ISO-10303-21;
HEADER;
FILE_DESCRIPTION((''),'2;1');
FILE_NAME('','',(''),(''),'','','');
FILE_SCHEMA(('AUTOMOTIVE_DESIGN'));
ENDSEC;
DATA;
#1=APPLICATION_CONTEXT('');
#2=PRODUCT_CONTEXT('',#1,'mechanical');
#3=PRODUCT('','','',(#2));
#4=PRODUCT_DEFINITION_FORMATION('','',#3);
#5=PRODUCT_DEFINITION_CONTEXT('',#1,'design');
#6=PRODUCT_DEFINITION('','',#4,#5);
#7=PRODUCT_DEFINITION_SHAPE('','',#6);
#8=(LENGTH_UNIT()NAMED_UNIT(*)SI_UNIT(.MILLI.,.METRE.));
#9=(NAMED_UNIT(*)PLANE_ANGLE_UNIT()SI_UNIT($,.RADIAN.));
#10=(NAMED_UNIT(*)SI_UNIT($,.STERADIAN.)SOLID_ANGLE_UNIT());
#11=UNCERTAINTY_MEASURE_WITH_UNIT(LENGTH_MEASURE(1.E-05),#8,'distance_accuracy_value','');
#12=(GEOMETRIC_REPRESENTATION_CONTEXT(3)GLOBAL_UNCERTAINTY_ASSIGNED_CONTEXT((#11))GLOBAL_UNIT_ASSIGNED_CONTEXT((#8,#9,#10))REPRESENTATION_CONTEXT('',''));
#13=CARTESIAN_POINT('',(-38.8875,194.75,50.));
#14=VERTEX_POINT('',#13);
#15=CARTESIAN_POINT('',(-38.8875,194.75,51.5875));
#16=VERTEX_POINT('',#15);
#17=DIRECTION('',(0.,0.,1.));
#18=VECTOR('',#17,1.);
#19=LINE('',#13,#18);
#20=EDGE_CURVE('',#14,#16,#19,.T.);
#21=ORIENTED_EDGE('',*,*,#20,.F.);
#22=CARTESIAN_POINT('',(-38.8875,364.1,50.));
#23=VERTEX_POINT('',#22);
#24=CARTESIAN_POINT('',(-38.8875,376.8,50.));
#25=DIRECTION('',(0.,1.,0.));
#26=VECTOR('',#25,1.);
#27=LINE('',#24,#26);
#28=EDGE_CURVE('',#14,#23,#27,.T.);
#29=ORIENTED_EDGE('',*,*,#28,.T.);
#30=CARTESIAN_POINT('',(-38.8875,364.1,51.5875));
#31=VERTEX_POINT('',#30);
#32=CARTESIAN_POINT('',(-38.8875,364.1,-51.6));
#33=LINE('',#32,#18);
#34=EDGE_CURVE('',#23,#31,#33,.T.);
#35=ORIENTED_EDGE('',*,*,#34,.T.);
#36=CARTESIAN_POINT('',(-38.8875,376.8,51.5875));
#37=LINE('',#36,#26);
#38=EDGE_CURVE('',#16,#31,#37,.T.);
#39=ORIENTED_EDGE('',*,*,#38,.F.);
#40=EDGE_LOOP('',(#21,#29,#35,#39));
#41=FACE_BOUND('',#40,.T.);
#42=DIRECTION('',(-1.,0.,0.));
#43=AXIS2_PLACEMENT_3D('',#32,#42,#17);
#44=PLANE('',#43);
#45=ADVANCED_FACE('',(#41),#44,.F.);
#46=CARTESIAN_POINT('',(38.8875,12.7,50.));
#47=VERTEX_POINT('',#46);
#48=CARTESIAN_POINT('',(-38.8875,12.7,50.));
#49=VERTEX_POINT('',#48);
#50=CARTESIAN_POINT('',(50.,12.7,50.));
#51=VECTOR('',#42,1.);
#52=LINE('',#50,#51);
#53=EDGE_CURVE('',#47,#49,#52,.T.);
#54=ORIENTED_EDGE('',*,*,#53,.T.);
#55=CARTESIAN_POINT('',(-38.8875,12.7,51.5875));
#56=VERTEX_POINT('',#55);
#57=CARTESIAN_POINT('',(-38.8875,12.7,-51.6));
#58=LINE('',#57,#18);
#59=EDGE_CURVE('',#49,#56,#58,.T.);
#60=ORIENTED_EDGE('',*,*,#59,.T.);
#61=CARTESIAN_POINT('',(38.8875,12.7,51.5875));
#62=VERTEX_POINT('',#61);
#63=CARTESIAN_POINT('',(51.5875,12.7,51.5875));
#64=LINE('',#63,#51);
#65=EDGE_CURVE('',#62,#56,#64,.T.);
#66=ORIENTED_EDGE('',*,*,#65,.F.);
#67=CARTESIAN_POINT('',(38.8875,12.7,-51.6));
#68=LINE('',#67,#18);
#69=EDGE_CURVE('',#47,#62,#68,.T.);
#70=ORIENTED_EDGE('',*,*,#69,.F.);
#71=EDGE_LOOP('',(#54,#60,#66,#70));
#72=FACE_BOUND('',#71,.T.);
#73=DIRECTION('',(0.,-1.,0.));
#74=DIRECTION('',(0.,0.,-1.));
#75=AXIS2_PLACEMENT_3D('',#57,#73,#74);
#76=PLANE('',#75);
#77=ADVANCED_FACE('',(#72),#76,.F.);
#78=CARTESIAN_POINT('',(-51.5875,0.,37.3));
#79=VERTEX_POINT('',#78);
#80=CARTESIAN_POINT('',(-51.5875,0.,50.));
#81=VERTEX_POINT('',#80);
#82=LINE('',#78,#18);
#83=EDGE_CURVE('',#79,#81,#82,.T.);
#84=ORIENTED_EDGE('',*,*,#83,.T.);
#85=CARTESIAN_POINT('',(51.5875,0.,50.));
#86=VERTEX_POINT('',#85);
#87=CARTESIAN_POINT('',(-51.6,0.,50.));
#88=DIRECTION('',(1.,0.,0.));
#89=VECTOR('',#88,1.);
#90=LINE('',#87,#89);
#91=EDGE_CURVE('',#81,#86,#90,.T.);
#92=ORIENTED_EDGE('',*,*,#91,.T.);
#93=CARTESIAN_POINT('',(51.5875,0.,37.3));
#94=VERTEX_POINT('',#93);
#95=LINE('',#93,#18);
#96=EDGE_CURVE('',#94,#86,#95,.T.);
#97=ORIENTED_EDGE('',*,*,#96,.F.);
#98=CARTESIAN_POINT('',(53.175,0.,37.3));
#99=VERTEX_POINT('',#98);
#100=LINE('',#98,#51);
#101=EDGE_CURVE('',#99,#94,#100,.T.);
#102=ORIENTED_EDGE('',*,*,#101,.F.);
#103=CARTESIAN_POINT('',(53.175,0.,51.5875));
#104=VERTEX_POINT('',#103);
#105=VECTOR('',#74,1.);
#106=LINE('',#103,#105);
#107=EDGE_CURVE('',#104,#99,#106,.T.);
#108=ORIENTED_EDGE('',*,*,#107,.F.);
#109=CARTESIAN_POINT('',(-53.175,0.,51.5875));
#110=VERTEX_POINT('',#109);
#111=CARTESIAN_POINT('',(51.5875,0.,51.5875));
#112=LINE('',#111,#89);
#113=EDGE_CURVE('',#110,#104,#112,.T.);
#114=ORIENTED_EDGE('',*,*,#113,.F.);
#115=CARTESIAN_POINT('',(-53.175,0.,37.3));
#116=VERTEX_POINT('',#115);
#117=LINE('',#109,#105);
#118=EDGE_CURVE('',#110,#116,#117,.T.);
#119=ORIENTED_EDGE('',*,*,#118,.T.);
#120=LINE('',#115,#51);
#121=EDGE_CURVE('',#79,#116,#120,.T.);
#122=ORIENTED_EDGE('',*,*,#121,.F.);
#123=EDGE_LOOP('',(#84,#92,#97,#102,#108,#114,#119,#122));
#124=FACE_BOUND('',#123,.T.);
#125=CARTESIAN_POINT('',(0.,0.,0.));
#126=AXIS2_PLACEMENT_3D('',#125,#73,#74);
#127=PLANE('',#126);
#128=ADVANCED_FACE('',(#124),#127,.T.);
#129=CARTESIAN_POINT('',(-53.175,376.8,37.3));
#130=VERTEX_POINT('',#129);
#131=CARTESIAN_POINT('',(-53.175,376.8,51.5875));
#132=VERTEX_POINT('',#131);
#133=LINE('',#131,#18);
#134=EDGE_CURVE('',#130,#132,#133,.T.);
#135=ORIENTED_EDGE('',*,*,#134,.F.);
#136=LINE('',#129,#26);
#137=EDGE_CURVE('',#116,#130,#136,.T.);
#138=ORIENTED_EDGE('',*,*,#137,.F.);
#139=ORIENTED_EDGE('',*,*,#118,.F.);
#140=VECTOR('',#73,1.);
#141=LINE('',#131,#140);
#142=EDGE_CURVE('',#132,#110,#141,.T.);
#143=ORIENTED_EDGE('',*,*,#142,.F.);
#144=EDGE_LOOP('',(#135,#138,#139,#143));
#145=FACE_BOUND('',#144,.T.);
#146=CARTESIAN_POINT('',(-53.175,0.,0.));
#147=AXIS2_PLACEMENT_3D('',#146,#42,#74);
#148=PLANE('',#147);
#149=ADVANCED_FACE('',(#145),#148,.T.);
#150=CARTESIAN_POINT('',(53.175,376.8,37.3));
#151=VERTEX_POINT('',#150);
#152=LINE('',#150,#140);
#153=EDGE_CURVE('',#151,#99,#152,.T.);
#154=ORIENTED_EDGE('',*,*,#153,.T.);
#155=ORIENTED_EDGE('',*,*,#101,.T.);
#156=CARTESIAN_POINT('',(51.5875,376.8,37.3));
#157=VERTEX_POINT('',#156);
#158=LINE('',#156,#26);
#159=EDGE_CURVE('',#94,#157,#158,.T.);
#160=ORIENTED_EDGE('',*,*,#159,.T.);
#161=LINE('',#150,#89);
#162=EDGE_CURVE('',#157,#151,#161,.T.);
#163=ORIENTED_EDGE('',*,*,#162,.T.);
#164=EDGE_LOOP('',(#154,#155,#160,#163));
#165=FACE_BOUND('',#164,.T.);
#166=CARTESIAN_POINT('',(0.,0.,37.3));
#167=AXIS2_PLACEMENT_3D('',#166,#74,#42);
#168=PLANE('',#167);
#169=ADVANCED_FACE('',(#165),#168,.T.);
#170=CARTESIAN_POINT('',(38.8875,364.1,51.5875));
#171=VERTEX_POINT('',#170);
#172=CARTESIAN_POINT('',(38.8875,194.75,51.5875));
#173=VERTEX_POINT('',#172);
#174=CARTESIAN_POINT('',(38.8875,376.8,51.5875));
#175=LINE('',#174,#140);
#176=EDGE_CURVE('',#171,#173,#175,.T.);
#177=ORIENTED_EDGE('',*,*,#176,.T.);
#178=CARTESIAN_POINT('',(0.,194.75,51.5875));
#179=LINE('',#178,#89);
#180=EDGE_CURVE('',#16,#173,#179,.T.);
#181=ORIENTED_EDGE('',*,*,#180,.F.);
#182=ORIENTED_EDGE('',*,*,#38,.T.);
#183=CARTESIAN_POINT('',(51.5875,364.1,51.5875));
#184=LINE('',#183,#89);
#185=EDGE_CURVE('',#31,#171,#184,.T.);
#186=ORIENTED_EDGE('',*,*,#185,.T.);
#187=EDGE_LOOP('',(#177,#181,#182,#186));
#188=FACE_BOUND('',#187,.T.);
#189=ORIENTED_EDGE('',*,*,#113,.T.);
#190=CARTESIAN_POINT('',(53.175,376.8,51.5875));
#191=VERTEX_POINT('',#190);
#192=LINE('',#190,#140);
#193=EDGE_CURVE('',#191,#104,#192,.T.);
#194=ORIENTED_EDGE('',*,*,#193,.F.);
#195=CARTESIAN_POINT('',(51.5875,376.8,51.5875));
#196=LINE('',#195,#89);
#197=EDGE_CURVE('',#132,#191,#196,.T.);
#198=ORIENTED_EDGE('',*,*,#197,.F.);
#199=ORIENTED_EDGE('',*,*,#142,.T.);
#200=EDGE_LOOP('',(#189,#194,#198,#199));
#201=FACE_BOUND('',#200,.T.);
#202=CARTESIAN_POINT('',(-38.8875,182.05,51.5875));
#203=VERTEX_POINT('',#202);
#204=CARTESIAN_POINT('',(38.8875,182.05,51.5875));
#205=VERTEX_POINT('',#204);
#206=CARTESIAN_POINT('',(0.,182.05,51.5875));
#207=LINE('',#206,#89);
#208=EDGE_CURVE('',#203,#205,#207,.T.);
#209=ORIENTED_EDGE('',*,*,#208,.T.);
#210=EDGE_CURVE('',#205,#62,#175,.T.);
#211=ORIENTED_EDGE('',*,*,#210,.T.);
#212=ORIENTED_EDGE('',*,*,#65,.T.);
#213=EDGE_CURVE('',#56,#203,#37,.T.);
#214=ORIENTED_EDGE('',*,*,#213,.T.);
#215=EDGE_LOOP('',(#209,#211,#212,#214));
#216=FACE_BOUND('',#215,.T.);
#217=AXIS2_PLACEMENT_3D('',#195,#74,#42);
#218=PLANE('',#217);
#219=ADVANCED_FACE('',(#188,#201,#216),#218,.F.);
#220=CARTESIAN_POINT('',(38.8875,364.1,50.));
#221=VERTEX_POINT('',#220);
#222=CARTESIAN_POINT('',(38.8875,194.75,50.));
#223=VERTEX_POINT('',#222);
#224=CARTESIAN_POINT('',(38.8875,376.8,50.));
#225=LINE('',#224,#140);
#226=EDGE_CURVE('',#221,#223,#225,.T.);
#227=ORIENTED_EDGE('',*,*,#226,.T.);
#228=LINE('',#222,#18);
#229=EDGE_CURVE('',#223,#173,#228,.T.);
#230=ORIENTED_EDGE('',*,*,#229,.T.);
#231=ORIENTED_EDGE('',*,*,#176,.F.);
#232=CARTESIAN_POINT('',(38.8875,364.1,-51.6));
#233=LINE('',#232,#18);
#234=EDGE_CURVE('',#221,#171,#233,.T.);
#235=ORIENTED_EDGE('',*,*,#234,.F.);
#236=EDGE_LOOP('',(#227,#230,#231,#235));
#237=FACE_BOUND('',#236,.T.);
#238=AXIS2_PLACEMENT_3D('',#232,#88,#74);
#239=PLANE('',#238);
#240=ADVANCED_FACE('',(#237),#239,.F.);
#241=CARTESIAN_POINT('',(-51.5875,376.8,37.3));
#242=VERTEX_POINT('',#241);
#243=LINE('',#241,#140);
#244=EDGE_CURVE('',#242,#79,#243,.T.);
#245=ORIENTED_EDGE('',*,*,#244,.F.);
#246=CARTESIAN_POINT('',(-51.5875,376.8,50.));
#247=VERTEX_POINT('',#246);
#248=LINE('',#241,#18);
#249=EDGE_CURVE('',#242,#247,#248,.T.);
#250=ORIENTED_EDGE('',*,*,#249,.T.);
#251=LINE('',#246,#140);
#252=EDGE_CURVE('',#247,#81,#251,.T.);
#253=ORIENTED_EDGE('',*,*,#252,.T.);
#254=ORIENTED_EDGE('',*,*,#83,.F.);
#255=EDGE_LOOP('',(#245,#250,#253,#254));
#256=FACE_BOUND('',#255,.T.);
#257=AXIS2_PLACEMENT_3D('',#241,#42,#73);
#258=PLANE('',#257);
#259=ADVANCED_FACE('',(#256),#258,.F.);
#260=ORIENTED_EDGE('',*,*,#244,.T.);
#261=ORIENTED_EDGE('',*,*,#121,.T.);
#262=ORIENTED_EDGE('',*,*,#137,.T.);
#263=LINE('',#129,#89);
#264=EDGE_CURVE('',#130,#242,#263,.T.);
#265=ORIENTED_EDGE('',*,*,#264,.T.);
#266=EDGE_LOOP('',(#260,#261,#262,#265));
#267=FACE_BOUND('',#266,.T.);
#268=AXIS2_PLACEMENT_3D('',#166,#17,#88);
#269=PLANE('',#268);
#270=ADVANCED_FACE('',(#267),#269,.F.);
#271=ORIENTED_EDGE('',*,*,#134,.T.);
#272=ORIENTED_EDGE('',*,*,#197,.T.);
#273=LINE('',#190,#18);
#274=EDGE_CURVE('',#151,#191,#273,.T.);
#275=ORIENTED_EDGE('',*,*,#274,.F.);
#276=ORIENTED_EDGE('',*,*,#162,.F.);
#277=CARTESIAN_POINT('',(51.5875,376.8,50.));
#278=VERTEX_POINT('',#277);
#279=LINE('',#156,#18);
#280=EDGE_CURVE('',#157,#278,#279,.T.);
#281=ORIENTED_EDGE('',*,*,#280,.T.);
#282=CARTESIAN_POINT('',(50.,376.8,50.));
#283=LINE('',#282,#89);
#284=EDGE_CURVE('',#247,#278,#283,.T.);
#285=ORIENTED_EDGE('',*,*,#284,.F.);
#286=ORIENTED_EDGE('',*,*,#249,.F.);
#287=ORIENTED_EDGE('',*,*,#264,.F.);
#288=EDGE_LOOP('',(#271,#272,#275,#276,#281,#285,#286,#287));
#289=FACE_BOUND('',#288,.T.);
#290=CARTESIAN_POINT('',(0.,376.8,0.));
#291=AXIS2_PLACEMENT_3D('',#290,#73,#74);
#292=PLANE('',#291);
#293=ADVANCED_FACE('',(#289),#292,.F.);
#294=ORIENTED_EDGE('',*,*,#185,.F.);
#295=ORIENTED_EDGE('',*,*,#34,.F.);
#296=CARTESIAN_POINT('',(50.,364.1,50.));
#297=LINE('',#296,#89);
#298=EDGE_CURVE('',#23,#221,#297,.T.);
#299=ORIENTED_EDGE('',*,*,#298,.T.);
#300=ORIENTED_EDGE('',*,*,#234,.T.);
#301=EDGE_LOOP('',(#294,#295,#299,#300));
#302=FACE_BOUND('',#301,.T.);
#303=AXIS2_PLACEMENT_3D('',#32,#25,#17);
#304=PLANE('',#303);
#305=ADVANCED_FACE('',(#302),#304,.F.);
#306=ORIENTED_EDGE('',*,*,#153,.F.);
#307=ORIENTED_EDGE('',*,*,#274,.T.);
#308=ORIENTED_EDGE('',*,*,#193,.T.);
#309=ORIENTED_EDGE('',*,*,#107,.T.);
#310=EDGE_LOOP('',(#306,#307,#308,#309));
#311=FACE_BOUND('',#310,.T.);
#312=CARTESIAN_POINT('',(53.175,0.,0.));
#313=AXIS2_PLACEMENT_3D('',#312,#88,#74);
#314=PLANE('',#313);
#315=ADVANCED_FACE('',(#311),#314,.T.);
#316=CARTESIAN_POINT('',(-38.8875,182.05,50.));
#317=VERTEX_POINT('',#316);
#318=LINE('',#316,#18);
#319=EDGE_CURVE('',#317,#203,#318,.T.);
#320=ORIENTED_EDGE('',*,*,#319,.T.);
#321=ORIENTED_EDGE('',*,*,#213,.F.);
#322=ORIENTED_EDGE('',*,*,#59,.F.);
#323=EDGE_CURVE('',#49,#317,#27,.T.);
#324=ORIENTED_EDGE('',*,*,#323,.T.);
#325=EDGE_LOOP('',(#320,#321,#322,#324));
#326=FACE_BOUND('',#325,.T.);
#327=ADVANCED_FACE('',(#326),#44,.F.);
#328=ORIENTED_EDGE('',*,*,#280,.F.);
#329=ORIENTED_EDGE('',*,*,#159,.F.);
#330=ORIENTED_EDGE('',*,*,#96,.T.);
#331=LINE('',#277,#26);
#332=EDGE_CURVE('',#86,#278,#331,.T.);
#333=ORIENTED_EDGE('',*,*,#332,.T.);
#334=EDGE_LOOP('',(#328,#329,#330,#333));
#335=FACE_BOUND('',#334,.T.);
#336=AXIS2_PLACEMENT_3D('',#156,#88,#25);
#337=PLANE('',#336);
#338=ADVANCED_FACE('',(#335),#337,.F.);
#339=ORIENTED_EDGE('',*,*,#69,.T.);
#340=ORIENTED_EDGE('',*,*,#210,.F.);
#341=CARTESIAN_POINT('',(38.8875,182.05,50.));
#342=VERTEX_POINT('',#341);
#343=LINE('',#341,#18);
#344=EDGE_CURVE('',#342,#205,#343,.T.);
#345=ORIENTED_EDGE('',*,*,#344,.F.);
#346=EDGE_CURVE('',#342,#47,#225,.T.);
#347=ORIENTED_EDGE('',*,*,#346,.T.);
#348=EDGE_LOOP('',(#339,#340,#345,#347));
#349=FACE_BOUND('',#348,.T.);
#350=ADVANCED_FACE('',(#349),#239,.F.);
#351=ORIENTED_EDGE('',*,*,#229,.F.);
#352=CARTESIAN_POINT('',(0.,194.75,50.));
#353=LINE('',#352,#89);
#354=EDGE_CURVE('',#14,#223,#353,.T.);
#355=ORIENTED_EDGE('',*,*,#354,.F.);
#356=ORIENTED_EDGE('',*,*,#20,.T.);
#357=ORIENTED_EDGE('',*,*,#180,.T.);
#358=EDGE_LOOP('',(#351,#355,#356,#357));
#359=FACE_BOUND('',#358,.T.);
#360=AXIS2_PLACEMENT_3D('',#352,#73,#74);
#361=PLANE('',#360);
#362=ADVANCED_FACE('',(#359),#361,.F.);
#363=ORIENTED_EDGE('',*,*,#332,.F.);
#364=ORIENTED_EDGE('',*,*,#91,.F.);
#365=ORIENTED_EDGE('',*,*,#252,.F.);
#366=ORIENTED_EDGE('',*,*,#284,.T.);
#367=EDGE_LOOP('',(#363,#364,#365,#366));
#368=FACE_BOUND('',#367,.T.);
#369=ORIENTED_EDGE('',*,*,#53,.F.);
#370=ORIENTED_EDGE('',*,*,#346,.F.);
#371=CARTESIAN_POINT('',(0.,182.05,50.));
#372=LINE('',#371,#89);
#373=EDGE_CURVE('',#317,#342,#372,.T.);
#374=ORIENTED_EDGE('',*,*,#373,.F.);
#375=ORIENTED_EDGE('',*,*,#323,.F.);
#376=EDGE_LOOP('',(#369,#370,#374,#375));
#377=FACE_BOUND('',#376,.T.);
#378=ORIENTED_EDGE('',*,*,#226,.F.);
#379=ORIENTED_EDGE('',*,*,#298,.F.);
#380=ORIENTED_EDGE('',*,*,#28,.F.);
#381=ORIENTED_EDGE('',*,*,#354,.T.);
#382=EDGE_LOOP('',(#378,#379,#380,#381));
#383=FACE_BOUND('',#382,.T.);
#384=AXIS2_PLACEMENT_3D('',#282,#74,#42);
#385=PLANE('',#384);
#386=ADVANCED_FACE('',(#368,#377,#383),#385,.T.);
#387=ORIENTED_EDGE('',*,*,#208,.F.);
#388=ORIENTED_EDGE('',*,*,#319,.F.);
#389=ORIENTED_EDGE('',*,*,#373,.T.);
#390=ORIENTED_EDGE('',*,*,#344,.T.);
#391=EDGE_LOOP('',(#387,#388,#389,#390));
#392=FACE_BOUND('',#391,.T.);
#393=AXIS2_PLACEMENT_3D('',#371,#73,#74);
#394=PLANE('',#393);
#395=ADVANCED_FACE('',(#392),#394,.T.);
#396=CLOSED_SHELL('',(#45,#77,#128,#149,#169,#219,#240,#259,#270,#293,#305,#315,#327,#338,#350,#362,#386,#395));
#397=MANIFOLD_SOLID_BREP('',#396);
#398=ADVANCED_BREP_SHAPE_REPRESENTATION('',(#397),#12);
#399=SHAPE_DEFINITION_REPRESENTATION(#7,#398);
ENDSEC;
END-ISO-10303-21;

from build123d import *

# Parameters (mm, degrees)
SKETCH1_W                      = 103.175
SKETCH1_H                      = 103.175
SKETCH1_W_2                    = 100
SKETCH1_H_2                    = 100
BULKSHELLEXTRUDE_DEPTH         = 376.8
SKETCH14_W                     = 77.775
SKETCH14_H                     = 351.4
SIDEWALLCUT_DEPTH              = 103.1875
SIDEWALLCUTPATTERN_COUNT       = 4
SKETCH20_W                     = 77.775
SKETCH20_H                     = 12.7
CENTERSUPPORT_DEPTH            = 1.5875
CENTERSUPPORTPATTERNCIRC_COUNT = 4
SKETCH22_W                     = 100
SKETCH22_H                     = 376.8
CUT_EXTRUDE4_DEPTH             = 103.1875
SKETCH23_W                     = 1.5875
SKETCH23_H                     = 376.8
BOSS_EXTRUDE1_DEPTH            = 1.5875
SKETCH24_W                     = 1.5875
SKETCH24_H                     = 376.8
BOSS_EXTRUDE2_DEPTH            = 12.7


with BuildPart() as part:
    # Sketch1 → BulkShellExtrude (new body)
    with BuildSketch(Plane(origin=(0, 0, 0), x_dir=(1, 0, 0), z_dir=(0, 1, 0))):
        Rectangle(SKETCH1_W, SKETCH1_H)
        Rectangle(SKETCH1_W_2, SKETCH1_H_2, mode=Mode.SUBTRACT)
    extrude(amount=BULKSHELLEXTRUDE_DEPTH)

    # Sketch14 → SideWallCut (cut)
    with BuildSketch(Plane(origin=(51.5875, 0, 0), x_dir=(0, 0, -1), z_dir=(1, 0, 0))):
        with Locations((0, 188.4)):
            Rectangle(SKETCH14_W, SKETCH14_H)
    sidewallcut = extrude(amount=-SIDEWALLCUT_DEPTH, mode=Mode.SUBTRACT)

    # SideWallCutPattern: SideWallCut ×4 about axis
    sidewallcutpattern_axis = Axis((0, 0, 0), (0, 1, 0))
    for i in range(1, SIDEWALLCUTPATTERN_COUNT):
        add(sidewallcut.rotate(sidewallcutpattern_axis, i * 360 / SIDEWALLCUTPATTERN_COUNT), mode=Mode.SUBTRACT)

    # Sketch20 → CenterSupport (add)
    with BuildSketch(Plane.XY.offset(51.5875)):
        with Locations((0, 188.4)):
            Rectangle(SKETCH20_W, SKETCH20_H)
    centersupport = extrude(amount=-CENTERSUPPORT_DEPTH)

    # CenterSupportPatternCirc: CenterSupport ×4 about axis
    centersupportpatterncirc_axis = Axis((0, 0, 0), (0, 1, 0))
    for i in range(1, CENTERSUPPORTPATTERNCIRC_COUNT):
        add(centersupport.rotate(centersupportpatterncirc_axis, i * 360 / CENTERSUPPORTPATTERNCIRC_COUNT))

    # Sketch22 → Cut-Extrude4 (cut)
    with BuildSketch(Plane(origin=(51.5875, 0, 0), x_dir=(0, 0, -1), z_dir=(1, 0, 0))):
        with Locations((0, 188.4)):
            Rectangle(SKETCH22_W, SKETCH22_H)
    extrude(amount=-CUT_EXTRUDE4_DEPTH, mode=Mode.SUBTRACT)


with BuildPart() as body_2:
    # of the pieces the cut leaves, the one that is kept (cut_extrude4_keep)
    add(part.part.solids().sort_by_distance((51.5875, 0, 51.5875))[0])

    # Sketch23 → Boss-Extrude1 (add)
    with BuildSketch(Plane(origin=(51.5875, 0, 0), x_dir=(0, 0, -1), z_dir=(1, 0, 0))):
        with Locations((-50.79375, 188.4)):
            Rectangle(SKETCH23_W, SKETCH23_H)
    boss_extrude1 = extrude(amount=BOSS_EXTRUDE1_DEPTH)

    # Mirror1: Boss-Extrude1 across plane
    add(boss_extrude1.mirror(Plane(origin=(0, 0, 0), x_dir=(0, 0, 1), z_dir=(1, 0, 0))))

    # Sketch24 → Boss-Extrude2 (add)
    with BuildSketch(Plane(origin=(0, 0, 50), x_dir=(-1, 0, 0), z_dir=(0, 0, -1))):
        with Locations((-52.38125, 188.4)):
            Rectangle(SKETCH24_W, SKETCH24_H)
        with Locations((52.38125, 188.4)):
            Rectangle(SKETCH24_W, SKETCH24_H)
    extrude(amount=BOSS_EXTRUDE2_DEPTH)


solid = body_2.part
